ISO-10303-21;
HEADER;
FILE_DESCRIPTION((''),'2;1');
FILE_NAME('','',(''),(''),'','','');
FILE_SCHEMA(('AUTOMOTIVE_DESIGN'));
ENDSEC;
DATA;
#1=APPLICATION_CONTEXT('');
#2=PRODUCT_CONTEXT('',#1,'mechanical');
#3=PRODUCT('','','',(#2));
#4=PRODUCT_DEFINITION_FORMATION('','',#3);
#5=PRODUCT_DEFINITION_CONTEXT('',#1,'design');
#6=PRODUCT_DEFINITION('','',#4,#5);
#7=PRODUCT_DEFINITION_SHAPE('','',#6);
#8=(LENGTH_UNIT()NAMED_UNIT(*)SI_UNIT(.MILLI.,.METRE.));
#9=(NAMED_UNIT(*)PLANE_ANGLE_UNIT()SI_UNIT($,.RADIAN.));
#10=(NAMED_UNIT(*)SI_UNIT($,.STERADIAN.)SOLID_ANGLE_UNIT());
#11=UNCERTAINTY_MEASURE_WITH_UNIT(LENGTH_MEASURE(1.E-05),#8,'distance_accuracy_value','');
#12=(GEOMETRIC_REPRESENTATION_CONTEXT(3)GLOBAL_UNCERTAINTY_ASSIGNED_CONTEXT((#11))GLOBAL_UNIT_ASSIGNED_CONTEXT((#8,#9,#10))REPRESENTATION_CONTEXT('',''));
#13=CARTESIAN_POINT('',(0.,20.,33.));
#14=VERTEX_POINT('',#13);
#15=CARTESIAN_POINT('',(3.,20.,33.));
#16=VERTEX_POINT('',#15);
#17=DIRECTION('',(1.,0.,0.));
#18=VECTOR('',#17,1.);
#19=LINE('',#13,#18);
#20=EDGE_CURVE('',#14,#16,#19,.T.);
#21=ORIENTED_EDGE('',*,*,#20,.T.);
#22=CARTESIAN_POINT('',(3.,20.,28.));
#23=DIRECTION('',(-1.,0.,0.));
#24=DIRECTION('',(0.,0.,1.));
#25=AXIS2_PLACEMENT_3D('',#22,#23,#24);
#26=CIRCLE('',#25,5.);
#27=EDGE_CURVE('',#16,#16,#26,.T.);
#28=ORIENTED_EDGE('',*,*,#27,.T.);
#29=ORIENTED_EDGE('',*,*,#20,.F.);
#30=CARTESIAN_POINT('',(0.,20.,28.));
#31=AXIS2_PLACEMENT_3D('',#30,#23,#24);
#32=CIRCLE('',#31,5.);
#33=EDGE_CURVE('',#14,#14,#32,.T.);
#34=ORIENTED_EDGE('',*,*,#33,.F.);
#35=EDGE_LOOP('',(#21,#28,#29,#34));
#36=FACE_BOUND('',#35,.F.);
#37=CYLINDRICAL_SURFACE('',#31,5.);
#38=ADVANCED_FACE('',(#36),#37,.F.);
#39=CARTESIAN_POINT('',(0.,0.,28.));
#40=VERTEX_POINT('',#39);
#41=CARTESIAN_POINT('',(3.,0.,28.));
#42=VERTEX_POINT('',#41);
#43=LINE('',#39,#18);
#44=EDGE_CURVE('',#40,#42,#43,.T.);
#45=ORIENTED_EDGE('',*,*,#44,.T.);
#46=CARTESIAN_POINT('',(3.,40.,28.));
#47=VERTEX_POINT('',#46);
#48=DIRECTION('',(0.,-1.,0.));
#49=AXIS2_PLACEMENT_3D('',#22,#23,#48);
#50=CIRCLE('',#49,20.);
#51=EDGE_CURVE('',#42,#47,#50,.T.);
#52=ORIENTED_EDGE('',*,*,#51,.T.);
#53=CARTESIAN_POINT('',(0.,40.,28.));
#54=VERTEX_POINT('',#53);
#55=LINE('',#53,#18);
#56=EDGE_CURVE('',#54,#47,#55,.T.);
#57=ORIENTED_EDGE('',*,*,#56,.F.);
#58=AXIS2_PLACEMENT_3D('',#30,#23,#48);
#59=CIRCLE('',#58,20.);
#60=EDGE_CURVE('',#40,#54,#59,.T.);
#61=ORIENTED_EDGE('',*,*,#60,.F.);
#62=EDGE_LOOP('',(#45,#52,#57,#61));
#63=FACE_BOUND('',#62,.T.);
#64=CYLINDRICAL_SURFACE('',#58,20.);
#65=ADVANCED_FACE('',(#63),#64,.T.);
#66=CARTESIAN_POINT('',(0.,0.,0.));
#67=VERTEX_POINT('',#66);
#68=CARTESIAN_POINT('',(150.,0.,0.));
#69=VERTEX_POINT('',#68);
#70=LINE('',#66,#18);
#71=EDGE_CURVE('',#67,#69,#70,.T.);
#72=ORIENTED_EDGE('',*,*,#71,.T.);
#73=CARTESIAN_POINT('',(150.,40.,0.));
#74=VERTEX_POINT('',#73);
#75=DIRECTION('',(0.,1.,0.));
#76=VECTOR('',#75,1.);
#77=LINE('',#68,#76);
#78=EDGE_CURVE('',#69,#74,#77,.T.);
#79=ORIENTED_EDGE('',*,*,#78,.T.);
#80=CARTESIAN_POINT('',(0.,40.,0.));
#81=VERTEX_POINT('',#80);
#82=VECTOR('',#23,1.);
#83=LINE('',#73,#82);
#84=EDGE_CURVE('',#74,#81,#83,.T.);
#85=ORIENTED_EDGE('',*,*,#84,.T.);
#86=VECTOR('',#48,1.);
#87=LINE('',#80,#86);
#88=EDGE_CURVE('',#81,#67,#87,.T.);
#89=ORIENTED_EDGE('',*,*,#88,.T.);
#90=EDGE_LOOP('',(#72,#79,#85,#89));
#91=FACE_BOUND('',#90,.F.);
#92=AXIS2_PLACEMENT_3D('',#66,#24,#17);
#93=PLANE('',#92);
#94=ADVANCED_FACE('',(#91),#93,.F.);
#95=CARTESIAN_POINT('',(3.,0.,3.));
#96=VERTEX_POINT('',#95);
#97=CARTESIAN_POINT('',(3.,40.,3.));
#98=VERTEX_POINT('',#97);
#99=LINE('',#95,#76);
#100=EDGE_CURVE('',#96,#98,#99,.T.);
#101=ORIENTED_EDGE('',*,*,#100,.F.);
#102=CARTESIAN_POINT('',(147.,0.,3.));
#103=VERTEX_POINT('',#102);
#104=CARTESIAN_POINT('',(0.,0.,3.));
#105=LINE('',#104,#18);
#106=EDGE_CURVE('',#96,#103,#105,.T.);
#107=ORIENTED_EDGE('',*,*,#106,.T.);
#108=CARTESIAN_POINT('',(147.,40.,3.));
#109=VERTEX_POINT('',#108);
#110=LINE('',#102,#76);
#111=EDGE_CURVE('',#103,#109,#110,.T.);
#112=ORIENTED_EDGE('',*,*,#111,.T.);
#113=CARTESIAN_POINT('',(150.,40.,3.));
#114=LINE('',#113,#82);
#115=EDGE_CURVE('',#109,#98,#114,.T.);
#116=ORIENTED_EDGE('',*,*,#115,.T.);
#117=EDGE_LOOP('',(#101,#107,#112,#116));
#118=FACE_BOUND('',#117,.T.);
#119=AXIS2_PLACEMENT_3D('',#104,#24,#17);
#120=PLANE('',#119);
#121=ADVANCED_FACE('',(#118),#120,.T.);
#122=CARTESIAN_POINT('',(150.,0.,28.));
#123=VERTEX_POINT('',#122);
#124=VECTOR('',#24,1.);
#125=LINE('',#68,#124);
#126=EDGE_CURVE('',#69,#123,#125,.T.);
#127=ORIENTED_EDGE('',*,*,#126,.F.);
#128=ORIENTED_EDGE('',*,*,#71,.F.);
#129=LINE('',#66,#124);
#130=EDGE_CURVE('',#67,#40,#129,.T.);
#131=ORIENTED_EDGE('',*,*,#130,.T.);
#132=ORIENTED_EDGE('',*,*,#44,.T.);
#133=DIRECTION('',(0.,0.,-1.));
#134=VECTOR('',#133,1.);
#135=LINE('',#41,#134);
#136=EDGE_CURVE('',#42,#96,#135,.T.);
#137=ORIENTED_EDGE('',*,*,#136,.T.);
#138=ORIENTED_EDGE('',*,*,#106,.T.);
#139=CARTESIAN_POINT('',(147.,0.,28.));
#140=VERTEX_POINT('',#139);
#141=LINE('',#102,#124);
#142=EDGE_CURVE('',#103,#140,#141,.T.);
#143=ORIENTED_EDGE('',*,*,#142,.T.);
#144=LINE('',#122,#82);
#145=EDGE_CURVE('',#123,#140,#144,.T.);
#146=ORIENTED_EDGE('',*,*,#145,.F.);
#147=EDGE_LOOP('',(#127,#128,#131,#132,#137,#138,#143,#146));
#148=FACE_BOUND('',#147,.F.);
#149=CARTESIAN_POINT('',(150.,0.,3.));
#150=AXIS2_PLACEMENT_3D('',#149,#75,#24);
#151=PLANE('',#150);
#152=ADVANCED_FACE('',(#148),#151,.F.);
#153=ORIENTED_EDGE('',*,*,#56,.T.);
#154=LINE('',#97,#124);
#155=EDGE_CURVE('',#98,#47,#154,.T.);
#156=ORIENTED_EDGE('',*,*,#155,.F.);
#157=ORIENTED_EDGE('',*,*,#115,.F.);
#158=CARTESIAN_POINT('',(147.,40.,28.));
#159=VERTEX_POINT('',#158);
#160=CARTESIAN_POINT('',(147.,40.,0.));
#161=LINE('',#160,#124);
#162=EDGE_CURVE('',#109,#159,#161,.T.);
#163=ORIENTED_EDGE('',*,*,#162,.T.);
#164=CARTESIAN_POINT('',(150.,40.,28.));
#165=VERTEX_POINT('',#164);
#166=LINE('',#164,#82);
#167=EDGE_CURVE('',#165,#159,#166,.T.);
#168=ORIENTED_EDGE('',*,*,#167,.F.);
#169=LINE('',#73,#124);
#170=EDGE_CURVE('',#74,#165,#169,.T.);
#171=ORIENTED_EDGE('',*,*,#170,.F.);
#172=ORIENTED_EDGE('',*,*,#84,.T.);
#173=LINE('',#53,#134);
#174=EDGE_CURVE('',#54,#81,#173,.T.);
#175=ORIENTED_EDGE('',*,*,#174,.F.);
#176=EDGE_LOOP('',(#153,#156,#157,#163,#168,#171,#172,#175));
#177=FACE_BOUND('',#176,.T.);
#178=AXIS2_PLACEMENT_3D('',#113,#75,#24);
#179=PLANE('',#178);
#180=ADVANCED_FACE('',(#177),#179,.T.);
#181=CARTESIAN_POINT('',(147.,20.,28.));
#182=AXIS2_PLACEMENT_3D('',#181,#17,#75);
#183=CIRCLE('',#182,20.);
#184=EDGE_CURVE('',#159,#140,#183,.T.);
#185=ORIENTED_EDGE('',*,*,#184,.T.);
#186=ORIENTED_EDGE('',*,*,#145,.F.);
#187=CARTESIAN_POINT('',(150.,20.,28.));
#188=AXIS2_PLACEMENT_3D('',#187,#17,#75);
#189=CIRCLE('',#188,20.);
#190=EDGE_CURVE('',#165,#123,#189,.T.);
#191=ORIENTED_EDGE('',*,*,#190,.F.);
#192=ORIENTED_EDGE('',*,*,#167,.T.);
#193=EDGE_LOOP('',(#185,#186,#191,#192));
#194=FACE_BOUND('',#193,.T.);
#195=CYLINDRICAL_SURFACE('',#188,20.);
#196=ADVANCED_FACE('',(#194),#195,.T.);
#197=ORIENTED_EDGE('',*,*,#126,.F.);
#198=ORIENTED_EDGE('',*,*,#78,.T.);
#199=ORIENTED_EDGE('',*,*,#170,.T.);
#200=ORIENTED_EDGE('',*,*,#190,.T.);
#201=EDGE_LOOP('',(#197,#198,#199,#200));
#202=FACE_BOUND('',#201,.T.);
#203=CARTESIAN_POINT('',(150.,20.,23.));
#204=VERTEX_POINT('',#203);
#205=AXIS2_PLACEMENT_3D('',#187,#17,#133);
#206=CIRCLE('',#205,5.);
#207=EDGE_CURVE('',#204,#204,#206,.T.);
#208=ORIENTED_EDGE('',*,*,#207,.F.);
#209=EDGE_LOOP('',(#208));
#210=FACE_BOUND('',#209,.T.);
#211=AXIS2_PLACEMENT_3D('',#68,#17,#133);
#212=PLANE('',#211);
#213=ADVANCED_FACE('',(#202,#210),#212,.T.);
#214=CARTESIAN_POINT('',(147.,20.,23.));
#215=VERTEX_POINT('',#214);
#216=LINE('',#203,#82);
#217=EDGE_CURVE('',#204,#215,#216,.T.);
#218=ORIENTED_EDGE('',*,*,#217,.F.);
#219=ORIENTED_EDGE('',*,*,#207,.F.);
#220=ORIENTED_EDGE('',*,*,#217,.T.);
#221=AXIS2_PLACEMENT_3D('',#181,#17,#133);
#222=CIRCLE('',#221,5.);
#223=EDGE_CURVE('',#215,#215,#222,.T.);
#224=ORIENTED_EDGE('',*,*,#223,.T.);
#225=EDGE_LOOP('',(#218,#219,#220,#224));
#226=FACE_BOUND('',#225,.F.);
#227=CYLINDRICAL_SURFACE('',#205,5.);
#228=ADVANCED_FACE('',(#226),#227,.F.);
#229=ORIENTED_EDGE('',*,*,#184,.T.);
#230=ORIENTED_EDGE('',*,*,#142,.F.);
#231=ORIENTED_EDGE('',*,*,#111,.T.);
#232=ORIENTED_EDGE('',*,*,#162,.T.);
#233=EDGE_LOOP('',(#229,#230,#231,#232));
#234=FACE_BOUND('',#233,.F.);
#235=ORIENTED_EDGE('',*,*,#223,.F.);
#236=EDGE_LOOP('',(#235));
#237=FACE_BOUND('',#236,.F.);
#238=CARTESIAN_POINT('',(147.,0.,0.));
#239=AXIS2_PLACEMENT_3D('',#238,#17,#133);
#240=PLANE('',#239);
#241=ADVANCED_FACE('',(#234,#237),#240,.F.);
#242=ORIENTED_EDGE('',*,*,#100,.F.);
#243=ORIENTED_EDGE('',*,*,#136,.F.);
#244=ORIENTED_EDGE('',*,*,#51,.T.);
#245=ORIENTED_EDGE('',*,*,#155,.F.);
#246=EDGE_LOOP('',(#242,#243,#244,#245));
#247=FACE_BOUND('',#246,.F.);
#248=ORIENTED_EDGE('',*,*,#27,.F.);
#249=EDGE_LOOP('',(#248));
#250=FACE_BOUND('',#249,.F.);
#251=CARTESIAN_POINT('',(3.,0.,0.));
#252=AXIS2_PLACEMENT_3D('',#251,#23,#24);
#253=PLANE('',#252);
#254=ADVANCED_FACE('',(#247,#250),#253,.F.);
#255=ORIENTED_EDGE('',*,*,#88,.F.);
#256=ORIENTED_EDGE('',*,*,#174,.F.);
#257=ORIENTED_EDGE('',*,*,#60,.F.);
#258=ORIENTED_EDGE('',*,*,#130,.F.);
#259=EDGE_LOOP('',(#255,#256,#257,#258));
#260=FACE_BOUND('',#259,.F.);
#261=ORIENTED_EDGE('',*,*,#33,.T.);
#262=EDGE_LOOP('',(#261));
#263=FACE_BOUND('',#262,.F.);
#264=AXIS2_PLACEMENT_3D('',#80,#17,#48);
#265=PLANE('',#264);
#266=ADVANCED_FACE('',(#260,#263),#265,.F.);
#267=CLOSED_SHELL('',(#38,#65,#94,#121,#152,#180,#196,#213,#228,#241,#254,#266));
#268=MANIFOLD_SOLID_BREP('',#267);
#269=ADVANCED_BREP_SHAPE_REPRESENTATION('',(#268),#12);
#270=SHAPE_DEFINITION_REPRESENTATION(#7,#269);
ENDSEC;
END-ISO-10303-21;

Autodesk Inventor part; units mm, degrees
ref_plane "YZ Plane" through (0, 0, 0) normal (1, 0, 0) x (0, 1, 0)
ref_plane "XZ Plane" through (0, 0, 0) normal (0, 1, 0) x (-1, 0, 0)
ref_plane "XY Plane" through (0, 0, 0) normal (0, 0, 1) x (1, 0, 0)
sketch "스케치1" plane through (0, 0, 0) normal (0, 0, 1) x (1, 0, 0)
  line L0 (0, 0) -> (150, 0)
  line L1 (150, 0) -> (150, 40)
  line L2 (150, 40) -> (0, 40)
  line L3 (0, 40) -> (0, 0)
  point P0 (150, 20)
  dimension "d0" = 40
  dimension "d1" = 150
extrude "돌출1" add sketch "스케치1" along normal blind 3
sketch "스케치2" plane through (0, 0, 0) normal (-1, 0, 0) x (0, 0, 1)
  line L0 (3, 0) -> (3, 40) projected
  line L1 (3, 40) -> (28, 40)
  line L2 (28, 0) -> (3, 0)
  line L3 (3, 0) -> (3, 40)
  arc A0 (28, 0) -> (28, 40) centre (28, 20) ccw
  circle A1 centre (28, 20) radius 5
  point P0 (0, 0)
  dimension "d5" = 10
  dimension "d6" = 25
extrude "돌출2" add sketch "스케치2" against normal blind 3
sketch "스케치3" plane through (150, 0, 0) normal (1, 0, 0) x (0, 0, -1)
  line L0 (-3, 0) -> (-3, 40) projected
  arc A0 (-28, 40) -> (-28, 0) centre (-28, 20) ccw projected
  line L1 (-3, 0) -> (-28, 0)
  line L2 (0, 40) -> (-28, 40) projected
  line L3 (-28, 40) -> (-3, 40)
  arc A1 (-28, 40) -> (-28, 0) centre (-28, 20) ccw
  circle A2 centre (-28, 20) radius 5 projected
  circle A3 centre (-28, 20) radius 5
  point P0 (0, 0)
  dimension "d10" = 10
extrude "돌출3" add sketch "스케치3" against normal blind 3
properties part number "braket"
